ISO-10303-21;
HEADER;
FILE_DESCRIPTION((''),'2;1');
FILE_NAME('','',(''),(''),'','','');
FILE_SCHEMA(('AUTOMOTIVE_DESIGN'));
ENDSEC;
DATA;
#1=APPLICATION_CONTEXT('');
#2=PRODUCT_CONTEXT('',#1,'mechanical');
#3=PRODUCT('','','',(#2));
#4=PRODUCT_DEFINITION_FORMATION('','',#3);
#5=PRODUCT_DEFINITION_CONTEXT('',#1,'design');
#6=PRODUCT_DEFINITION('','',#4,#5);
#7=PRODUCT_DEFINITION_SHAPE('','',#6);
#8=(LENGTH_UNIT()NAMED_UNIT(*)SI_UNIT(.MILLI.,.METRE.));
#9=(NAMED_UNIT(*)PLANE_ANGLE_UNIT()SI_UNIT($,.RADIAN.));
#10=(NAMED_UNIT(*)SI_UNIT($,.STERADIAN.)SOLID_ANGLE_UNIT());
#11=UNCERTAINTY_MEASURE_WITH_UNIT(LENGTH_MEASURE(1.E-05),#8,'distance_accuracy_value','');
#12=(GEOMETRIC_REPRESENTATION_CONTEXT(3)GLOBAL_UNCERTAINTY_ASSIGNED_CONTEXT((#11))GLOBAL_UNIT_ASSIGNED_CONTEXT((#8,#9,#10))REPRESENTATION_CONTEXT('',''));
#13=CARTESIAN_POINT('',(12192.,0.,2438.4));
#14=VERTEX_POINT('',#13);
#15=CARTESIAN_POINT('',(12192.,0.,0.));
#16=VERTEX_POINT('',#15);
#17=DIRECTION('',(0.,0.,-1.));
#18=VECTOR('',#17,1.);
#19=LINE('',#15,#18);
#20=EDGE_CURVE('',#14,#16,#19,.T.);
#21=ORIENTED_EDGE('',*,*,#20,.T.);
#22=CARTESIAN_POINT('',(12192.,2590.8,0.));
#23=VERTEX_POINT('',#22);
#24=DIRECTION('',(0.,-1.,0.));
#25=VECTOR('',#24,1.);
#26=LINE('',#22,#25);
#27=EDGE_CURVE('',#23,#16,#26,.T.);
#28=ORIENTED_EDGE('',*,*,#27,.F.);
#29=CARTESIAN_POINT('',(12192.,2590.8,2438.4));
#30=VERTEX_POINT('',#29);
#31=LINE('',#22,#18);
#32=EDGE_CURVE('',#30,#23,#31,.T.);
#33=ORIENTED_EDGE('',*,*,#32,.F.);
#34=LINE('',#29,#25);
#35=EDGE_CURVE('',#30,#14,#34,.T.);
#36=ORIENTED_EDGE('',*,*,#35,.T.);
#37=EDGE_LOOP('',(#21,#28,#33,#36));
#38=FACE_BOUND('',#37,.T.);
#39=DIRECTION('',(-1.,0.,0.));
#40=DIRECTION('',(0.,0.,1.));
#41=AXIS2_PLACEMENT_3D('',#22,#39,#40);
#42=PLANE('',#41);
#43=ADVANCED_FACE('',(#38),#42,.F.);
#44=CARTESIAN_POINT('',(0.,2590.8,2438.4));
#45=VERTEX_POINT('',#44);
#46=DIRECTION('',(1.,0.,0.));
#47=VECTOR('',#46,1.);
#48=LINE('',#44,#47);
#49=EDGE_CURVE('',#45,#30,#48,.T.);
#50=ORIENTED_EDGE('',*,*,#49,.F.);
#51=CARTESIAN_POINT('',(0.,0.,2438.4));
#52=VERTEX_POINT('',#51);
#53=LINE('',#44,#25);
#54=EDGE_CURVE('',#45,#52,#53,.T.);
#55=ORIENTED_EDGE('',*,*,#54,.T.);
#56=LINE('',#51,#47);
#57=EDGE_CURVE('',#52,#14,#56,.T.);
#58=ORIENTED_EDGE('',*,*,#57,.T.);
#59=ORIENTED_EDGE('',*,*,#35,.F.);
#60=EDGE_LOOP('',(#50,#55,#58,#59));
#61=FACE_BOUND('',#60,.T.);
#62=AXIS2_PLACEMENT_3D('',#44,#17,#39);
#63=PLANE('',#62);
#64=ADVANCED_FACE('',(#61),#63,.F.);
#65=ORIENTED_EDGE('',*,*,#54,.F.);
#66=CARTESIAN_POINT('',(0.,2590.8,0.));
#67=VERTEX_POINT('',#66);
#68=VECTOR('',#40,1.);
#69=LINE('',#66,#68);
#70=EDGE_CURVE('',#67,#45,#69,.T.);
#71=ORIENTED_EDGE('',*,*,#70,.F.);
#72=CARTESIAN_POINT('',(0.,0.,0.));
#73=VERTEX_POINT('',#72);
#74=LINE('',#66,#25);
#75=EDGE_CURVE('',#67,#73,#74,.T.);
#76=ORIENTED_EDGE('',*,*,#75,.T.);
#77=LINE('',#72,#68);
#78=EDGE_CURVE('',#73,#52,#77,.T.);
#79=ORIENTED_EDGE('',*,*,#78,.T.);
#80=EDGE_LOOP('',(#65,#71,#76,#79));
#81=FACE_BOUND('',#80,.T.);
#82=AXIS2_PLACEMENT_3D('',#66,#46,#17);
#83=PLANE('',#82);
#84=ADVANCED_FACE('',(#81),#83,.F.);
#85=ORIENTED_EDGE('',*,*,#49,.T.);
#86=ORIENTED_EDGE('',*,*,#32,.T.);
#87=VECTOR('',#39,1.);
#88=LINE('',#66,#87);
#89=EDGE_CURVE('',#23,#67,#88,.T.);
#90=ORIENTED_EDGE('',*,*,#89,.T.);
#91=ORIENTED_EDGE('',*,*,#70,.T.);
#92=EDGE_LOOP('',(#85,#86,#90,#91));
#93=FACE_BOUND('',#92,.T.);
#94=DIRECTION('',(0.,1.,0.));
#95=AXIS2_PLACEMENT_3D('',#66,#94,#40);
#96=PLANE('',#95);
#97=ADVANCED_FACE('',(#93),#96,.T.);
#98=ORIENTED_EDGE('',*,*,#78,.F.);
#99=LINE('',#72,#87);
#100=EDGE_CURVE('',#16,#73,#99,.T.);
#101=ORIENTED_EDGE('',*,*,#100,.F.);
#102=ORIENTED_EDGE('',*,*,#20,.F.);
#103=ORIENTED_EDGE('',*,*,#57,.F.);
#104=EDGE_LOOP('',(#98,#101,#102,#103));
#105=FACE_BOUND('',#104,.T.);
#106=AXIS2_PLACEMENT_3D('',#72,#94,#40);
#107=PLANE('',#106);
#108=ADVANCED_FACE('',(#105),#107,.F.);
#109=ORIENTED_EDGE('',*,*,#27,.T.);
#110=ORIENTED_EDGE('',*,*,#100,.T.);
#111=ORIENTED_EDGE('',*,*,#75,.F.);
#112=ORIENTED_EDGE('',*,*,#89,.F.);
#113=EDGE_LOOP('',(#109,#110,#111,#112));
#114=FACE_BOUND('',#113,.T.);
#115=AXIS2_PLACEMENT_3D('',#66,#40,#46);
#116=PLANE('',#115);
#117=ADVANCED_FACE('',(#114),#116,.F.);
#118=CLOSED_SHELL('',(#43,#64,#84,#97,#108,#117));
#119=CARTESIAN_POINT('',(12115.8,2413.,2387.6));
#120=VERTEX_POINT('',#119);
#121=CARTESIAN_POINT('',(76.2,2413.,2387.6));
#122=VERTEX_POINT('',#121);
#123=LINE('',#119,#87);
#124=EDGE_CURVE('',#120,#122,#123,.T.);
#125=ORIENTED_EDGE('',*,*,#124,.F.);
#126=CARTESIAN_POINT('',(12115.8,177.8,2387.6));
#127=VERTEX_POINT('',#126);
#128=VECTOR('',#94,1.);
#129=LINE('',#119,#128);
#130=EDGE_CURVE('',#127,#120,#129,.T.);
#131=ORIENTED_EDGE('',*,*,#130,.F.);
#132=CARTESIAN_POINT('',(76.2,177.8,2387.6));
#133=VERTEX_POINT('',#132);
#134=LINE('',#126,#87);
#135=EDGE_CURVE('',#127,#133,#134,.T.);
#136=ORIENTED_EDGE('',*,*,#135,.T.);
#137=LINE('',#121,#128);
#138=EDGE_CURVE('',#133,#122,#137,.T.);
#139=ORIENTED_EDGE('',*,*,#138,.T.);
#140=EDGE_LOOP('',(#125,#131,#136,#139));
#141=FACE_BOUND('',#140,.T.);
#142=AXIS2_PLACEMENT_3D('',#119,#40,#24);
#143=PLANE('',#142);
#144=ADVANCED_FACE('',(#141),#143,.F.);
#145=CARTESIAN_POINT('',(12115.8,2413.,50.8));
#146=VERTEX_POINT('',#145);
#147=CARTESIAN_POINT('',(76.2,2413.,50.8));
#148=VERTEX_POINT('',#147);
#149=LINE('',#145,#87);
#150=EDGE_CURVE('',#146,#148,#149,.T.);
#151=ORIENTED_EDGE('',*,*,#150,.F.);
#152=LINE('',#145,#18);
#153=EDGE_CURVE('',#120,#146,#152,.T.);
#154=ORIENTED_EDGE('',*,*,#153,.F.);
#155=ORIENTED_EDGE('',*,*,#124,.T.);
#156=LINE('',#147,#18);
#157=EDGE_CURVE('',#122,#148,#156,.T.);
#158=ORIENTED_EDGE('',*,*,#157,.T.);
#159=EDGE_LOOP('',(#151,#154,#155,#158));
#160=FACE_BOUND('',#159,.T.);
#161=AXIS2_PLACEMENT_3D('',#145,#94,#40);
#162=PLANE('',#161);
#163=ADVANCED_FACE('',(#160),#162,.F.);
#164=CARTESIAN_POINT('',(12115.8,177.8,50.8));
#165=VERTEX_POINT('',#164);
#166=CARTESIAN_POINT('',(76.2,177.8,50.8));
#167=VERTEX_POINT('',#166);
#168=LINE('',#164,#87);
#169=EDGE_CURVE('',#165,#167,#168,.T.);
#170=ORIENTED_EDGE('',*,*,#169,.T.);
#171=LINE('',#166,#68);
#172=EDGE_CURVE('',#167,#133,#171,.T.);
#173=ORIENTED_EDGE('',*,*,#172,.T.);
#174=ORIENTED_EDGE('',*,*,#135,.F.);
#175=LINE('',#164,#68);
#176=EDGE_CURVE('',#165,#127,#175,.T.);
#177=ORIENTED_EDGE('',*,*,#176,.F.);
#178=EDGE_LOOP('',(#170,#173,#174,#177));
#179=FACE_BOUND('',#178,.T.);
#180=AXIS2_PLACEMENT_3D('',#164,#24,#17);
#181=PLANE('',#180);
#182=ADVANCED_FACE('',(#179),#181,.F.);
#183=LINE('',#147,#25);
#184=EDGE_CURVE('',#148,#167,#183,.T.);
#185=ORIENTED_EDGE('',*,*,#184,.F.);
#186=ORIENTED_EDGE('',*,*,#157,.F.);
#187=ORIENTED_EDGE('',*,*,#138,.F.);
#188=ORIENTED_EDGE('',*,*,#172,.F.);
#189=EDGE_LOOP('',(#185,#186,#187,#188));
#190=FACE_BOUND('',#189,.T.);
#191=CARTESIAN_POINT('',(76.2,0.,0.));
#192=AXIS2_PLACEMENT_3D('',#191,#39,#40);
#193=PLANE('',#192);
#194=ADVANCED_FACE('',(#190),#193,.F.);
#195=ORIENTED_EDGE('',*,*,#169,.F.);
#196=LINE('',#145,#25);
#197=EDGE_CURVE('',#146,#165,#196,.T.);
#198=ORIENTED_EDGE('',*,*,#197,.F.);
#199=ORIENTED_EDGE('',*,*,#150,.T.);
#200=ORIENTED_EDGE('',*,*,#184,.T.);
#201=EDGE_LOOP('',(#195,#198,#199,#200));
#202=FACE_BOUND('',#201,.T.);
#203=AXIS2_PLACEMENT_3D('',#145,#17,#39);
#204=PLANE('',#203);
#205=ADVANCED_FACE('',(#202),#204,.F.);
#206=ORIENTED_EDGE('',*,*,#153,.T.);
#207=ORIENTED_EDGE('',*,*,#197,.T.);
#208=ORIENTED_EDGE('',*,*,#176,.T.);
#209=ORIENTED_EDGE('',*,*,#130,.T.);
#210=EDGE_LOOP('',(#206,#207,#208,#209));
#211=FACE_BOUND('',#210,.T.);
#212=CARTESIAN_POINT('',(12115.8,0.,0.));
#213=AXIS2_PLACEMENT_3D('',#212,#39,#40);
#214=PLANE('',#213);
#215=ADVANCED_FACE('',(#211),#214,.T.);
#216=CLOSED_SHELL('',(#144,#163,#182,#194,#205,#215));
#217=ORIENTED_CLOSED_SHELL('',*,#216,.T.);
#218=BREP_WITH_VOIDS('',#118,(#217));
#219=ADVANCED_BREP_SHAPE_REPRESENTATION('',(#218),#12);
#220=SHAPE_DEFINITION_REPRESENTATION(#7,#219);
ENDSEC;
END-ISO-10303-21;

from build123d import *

# Parameters (mm, degrees)
SKETCH1_W           = 12192
SKETCH1_H           = 2438.4
BOSS_EXTRUDE1_DEPTH = 2590.8
SKETCH2_W           = 2336.8
SKETCH2_H           = 2235.2
CUT_EXTRUDE1_DEPTH  = 12039.6


with BuildPart() as part:
    # Sketch1 → Boss-Extrude1 (new body)
    with BuildSketch(Plane(origin=(0, 0, 0), x_dir=(1, 0, 0), z_dir=(0, 1, 0))):
        with Locations((6096, -1219.2)):
            Rectangle(SKETCH1_W, SKETCH1_H)
    extrude(amount=BOSS_EXTRUDE1_DEPTH)

    # Sketch2 → Cut-Extrude1 (cut)
    with BuildSketch(Plane.ZY.offset(-76.2)):
        with Locations((1219.2, 1295.4)):
            Rectangle(SKETCH2_W, SKETCH2_H)
    extrude(amount=-CUT_EXTRUDE1_DEPTH, mode=Mode.SUBTRACT)


solid = part.part
